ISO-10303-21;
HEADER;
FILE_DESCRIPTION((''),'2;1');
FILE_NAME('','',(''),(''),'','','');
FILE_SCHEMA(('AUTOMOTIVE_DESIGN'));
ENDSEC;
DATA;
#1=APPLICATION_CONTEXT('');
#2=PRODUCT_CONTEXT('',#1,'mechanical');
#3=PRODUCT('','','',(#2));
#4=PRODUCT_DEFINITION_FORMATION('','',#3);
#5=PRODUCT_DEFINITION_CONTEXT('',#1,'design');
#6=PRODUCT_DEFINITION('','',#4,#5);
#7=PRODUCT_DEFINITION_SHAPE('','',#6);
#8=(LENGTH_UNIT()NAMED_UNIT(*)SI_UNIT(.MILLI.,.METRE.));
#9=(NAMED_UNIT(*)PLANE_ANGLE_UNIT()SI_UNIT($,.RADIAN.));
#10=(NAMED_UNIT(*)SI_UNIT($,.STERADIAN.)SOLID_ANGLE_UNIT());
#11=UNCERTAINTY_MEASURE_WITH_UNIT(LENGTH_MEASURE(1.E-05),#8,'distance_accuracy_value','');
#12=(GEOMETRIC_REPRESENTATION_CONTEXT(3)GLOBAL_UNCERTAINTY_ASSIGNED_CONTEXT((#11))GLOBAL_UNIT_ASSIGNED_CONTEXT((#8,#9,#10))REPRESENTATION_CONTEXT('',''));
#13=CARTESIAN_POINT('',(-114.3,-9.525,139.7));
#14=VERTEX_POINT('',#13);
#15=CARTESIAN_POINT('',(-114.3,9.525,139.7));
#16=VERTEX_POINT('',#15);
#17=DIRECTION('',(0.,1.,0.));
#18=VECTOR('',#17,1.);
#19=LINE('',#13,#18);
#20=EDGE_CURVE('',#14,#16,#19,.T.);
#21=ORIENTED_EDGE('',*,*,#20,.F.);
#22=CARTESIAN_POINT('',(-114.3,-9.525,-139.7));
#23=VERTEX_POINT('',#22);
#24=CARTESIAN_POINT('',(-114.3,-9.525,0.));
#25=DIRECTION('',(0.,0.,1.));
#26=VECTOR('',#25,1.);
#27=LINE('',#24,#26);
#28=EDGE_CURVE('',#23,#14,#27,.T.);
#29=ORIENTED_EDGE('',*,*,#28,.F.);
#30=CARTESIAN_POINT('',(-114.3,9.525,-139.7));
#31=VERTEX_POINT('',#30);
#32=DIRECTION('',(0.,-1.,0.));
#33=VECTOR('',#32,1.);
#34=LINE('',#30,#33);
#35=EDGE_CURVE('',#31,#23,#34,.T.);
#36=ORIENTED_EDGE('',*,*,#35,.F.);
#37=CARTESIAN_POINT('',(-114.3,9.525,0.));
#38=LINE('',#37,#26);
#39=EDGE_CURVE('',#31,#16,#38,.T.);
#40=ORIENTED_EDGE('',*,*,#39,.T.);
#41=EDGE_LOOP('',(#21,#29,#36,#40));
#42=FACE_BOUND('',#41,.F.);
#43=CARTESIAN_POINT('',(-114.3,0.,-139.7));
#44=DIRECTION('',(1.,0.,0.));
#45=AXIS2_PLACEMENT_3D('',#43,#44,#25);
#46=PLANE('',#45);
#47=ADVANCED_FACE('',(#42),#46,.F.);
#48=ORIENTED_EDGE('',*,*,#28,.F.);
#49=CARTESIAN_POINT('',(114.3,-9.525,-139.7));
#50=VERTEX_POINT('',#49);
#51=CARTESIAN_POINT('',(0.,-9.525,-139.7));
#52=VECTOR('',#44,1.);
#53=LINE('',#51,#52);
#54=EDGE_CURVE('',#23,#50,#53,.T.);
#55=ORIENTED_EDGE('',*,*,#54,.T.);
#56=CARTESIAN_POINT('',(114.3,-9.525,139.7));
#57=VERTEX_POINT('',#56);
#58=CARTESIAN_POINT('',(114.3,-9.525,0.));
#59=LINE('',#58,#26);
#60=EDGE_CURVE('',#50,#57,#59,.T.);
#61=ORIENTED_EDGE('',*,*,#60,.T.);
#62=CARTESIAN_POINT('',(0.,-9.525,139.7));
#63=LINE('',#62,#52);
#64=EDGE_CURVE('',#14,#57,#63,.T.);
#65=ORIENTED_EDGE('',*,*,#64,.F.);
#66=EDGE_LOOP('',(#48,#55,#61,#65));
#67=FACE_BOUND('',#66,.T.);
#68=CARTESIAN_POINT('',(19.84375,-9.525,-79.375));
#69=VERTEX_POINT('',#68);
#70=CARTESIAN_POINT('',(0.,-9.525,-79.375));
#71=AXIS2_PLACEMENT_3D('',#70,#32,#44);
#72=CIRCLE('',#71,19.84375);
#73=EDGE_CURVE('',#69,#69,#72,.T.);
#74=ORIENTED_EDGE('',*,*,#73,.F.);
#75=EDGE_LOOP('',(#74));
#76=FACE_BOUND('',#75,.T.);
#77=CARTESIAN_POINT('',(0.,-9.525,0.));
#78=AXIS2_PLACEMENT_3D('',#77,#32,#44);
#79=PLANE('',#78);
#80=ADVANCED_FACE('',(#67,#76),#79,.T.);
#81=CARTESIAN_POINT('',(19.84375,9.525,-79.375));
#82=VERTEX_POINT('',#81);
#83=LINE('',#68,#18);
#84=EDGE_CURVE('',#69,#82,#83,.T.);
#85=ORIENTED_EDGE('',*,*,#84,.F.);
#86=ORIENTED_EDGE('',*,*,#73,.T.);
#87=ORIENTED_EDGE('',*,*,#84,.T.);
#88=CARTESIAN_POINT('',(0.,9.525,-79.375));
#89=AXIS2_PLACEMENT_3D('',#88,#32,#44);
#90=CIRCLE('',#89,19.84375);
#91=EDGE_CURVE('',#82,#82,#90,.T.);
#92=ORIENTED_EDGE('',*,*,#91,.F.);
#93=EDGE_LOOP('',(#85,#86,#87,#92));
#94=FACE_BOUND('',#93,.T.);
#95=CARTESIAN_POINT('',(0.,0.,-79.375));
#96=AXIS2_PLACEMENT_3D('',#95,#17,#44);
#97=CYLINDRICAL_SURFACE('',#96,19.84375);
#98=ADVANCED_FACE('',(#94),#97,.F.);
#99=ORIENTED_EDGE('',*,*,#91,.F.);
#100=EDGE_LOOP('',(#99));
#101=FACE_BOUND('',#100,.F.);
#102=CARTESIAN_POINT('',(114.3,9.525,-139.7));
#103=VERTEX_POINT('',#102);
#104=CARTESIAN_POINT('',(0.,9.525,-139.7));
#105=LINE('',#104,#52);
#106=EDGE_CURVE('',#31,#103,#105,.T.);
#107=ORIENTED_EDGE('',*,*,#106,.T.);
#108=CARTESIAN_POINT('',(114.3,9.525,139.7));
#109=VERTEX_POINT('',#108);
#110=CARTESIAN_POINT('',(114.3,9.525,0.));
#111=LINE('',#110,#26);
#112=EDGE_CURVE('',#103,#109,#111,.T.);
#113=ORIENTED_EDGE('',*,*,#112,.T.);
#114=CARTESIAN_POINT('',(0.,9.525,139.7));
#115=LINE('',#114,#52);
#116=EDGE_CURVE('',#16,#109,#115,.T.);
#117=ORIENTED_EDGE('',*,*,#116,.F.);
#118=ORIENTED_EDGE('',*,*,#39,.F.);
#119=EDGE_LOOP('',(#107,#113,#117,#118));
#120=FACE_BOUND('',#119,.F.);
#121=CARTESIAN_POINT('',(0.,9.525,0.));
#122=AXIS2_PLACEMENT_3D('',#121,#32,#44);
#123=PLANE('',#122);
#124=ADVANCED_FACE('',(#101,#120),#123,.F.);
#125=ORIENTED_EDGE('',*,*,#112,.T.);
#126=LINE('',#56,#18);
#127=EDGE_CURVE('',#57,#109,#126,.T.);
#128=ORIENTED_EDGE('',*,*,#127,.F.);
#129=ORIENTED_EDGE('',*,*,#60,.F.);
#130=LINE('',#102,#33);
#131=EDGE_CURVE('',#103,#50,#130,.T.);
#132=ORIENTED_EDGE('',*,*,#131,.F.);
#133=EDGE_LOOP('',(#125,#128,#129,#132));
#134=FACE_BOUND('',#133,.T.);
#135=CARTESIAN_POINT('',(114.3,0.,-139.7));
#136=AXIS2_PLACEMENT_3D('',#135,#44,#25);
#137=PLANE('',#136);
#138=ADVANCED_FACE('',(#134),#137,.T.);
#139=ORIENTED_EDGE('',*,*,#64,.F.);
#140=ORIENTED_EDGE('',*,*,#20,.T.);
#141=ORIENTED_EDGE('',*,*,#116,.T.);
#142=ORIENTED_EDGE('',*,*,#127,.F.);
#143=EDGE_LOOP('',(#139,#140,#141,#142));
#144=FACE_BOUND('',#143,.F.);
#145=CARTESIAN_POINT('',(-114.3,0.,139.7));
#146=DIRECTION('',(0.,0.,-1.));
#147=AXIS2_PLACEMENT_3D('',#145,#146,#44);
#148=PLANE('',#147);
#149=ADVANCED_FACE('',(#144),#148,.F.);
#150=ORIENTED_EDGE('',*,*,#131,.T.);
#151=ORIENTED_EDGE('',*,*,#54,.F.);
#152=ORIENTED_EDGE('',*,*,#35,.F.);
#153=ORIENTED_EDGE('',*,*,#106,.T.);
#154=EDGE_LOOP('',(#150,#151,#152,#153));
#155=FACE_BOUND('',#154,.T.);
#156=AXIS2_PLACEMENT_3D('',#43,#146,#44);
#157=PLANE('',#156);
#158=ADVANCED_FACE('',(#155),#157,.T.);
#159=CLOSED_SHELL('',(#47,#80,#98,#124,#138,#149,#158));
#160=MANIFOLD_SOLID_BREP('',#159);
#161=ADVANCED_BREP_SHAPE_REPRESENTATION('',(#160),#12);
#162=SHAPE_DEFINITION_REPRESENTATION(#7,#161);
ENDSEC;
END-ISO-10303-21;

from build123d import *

# Parameters (mm, degrees)
F0_W     = 228.6
F0_H     = 279.4
F0_R     = 19.84375
F1_DEPTH = 9.525


with BuildPart() as f1:
    # F0 (on Front) → F1 (new body, symmetric)
    with BuildSketch(Plane.XZ):
        Rectangle(F0_W, F0_H)
        with Locations((0, -79.375)):
            Circle(F0_R, mode=Mode.SUBTRACT)
    extrude(amount=F1_DEPTH, both=True)


solid = f1.part
